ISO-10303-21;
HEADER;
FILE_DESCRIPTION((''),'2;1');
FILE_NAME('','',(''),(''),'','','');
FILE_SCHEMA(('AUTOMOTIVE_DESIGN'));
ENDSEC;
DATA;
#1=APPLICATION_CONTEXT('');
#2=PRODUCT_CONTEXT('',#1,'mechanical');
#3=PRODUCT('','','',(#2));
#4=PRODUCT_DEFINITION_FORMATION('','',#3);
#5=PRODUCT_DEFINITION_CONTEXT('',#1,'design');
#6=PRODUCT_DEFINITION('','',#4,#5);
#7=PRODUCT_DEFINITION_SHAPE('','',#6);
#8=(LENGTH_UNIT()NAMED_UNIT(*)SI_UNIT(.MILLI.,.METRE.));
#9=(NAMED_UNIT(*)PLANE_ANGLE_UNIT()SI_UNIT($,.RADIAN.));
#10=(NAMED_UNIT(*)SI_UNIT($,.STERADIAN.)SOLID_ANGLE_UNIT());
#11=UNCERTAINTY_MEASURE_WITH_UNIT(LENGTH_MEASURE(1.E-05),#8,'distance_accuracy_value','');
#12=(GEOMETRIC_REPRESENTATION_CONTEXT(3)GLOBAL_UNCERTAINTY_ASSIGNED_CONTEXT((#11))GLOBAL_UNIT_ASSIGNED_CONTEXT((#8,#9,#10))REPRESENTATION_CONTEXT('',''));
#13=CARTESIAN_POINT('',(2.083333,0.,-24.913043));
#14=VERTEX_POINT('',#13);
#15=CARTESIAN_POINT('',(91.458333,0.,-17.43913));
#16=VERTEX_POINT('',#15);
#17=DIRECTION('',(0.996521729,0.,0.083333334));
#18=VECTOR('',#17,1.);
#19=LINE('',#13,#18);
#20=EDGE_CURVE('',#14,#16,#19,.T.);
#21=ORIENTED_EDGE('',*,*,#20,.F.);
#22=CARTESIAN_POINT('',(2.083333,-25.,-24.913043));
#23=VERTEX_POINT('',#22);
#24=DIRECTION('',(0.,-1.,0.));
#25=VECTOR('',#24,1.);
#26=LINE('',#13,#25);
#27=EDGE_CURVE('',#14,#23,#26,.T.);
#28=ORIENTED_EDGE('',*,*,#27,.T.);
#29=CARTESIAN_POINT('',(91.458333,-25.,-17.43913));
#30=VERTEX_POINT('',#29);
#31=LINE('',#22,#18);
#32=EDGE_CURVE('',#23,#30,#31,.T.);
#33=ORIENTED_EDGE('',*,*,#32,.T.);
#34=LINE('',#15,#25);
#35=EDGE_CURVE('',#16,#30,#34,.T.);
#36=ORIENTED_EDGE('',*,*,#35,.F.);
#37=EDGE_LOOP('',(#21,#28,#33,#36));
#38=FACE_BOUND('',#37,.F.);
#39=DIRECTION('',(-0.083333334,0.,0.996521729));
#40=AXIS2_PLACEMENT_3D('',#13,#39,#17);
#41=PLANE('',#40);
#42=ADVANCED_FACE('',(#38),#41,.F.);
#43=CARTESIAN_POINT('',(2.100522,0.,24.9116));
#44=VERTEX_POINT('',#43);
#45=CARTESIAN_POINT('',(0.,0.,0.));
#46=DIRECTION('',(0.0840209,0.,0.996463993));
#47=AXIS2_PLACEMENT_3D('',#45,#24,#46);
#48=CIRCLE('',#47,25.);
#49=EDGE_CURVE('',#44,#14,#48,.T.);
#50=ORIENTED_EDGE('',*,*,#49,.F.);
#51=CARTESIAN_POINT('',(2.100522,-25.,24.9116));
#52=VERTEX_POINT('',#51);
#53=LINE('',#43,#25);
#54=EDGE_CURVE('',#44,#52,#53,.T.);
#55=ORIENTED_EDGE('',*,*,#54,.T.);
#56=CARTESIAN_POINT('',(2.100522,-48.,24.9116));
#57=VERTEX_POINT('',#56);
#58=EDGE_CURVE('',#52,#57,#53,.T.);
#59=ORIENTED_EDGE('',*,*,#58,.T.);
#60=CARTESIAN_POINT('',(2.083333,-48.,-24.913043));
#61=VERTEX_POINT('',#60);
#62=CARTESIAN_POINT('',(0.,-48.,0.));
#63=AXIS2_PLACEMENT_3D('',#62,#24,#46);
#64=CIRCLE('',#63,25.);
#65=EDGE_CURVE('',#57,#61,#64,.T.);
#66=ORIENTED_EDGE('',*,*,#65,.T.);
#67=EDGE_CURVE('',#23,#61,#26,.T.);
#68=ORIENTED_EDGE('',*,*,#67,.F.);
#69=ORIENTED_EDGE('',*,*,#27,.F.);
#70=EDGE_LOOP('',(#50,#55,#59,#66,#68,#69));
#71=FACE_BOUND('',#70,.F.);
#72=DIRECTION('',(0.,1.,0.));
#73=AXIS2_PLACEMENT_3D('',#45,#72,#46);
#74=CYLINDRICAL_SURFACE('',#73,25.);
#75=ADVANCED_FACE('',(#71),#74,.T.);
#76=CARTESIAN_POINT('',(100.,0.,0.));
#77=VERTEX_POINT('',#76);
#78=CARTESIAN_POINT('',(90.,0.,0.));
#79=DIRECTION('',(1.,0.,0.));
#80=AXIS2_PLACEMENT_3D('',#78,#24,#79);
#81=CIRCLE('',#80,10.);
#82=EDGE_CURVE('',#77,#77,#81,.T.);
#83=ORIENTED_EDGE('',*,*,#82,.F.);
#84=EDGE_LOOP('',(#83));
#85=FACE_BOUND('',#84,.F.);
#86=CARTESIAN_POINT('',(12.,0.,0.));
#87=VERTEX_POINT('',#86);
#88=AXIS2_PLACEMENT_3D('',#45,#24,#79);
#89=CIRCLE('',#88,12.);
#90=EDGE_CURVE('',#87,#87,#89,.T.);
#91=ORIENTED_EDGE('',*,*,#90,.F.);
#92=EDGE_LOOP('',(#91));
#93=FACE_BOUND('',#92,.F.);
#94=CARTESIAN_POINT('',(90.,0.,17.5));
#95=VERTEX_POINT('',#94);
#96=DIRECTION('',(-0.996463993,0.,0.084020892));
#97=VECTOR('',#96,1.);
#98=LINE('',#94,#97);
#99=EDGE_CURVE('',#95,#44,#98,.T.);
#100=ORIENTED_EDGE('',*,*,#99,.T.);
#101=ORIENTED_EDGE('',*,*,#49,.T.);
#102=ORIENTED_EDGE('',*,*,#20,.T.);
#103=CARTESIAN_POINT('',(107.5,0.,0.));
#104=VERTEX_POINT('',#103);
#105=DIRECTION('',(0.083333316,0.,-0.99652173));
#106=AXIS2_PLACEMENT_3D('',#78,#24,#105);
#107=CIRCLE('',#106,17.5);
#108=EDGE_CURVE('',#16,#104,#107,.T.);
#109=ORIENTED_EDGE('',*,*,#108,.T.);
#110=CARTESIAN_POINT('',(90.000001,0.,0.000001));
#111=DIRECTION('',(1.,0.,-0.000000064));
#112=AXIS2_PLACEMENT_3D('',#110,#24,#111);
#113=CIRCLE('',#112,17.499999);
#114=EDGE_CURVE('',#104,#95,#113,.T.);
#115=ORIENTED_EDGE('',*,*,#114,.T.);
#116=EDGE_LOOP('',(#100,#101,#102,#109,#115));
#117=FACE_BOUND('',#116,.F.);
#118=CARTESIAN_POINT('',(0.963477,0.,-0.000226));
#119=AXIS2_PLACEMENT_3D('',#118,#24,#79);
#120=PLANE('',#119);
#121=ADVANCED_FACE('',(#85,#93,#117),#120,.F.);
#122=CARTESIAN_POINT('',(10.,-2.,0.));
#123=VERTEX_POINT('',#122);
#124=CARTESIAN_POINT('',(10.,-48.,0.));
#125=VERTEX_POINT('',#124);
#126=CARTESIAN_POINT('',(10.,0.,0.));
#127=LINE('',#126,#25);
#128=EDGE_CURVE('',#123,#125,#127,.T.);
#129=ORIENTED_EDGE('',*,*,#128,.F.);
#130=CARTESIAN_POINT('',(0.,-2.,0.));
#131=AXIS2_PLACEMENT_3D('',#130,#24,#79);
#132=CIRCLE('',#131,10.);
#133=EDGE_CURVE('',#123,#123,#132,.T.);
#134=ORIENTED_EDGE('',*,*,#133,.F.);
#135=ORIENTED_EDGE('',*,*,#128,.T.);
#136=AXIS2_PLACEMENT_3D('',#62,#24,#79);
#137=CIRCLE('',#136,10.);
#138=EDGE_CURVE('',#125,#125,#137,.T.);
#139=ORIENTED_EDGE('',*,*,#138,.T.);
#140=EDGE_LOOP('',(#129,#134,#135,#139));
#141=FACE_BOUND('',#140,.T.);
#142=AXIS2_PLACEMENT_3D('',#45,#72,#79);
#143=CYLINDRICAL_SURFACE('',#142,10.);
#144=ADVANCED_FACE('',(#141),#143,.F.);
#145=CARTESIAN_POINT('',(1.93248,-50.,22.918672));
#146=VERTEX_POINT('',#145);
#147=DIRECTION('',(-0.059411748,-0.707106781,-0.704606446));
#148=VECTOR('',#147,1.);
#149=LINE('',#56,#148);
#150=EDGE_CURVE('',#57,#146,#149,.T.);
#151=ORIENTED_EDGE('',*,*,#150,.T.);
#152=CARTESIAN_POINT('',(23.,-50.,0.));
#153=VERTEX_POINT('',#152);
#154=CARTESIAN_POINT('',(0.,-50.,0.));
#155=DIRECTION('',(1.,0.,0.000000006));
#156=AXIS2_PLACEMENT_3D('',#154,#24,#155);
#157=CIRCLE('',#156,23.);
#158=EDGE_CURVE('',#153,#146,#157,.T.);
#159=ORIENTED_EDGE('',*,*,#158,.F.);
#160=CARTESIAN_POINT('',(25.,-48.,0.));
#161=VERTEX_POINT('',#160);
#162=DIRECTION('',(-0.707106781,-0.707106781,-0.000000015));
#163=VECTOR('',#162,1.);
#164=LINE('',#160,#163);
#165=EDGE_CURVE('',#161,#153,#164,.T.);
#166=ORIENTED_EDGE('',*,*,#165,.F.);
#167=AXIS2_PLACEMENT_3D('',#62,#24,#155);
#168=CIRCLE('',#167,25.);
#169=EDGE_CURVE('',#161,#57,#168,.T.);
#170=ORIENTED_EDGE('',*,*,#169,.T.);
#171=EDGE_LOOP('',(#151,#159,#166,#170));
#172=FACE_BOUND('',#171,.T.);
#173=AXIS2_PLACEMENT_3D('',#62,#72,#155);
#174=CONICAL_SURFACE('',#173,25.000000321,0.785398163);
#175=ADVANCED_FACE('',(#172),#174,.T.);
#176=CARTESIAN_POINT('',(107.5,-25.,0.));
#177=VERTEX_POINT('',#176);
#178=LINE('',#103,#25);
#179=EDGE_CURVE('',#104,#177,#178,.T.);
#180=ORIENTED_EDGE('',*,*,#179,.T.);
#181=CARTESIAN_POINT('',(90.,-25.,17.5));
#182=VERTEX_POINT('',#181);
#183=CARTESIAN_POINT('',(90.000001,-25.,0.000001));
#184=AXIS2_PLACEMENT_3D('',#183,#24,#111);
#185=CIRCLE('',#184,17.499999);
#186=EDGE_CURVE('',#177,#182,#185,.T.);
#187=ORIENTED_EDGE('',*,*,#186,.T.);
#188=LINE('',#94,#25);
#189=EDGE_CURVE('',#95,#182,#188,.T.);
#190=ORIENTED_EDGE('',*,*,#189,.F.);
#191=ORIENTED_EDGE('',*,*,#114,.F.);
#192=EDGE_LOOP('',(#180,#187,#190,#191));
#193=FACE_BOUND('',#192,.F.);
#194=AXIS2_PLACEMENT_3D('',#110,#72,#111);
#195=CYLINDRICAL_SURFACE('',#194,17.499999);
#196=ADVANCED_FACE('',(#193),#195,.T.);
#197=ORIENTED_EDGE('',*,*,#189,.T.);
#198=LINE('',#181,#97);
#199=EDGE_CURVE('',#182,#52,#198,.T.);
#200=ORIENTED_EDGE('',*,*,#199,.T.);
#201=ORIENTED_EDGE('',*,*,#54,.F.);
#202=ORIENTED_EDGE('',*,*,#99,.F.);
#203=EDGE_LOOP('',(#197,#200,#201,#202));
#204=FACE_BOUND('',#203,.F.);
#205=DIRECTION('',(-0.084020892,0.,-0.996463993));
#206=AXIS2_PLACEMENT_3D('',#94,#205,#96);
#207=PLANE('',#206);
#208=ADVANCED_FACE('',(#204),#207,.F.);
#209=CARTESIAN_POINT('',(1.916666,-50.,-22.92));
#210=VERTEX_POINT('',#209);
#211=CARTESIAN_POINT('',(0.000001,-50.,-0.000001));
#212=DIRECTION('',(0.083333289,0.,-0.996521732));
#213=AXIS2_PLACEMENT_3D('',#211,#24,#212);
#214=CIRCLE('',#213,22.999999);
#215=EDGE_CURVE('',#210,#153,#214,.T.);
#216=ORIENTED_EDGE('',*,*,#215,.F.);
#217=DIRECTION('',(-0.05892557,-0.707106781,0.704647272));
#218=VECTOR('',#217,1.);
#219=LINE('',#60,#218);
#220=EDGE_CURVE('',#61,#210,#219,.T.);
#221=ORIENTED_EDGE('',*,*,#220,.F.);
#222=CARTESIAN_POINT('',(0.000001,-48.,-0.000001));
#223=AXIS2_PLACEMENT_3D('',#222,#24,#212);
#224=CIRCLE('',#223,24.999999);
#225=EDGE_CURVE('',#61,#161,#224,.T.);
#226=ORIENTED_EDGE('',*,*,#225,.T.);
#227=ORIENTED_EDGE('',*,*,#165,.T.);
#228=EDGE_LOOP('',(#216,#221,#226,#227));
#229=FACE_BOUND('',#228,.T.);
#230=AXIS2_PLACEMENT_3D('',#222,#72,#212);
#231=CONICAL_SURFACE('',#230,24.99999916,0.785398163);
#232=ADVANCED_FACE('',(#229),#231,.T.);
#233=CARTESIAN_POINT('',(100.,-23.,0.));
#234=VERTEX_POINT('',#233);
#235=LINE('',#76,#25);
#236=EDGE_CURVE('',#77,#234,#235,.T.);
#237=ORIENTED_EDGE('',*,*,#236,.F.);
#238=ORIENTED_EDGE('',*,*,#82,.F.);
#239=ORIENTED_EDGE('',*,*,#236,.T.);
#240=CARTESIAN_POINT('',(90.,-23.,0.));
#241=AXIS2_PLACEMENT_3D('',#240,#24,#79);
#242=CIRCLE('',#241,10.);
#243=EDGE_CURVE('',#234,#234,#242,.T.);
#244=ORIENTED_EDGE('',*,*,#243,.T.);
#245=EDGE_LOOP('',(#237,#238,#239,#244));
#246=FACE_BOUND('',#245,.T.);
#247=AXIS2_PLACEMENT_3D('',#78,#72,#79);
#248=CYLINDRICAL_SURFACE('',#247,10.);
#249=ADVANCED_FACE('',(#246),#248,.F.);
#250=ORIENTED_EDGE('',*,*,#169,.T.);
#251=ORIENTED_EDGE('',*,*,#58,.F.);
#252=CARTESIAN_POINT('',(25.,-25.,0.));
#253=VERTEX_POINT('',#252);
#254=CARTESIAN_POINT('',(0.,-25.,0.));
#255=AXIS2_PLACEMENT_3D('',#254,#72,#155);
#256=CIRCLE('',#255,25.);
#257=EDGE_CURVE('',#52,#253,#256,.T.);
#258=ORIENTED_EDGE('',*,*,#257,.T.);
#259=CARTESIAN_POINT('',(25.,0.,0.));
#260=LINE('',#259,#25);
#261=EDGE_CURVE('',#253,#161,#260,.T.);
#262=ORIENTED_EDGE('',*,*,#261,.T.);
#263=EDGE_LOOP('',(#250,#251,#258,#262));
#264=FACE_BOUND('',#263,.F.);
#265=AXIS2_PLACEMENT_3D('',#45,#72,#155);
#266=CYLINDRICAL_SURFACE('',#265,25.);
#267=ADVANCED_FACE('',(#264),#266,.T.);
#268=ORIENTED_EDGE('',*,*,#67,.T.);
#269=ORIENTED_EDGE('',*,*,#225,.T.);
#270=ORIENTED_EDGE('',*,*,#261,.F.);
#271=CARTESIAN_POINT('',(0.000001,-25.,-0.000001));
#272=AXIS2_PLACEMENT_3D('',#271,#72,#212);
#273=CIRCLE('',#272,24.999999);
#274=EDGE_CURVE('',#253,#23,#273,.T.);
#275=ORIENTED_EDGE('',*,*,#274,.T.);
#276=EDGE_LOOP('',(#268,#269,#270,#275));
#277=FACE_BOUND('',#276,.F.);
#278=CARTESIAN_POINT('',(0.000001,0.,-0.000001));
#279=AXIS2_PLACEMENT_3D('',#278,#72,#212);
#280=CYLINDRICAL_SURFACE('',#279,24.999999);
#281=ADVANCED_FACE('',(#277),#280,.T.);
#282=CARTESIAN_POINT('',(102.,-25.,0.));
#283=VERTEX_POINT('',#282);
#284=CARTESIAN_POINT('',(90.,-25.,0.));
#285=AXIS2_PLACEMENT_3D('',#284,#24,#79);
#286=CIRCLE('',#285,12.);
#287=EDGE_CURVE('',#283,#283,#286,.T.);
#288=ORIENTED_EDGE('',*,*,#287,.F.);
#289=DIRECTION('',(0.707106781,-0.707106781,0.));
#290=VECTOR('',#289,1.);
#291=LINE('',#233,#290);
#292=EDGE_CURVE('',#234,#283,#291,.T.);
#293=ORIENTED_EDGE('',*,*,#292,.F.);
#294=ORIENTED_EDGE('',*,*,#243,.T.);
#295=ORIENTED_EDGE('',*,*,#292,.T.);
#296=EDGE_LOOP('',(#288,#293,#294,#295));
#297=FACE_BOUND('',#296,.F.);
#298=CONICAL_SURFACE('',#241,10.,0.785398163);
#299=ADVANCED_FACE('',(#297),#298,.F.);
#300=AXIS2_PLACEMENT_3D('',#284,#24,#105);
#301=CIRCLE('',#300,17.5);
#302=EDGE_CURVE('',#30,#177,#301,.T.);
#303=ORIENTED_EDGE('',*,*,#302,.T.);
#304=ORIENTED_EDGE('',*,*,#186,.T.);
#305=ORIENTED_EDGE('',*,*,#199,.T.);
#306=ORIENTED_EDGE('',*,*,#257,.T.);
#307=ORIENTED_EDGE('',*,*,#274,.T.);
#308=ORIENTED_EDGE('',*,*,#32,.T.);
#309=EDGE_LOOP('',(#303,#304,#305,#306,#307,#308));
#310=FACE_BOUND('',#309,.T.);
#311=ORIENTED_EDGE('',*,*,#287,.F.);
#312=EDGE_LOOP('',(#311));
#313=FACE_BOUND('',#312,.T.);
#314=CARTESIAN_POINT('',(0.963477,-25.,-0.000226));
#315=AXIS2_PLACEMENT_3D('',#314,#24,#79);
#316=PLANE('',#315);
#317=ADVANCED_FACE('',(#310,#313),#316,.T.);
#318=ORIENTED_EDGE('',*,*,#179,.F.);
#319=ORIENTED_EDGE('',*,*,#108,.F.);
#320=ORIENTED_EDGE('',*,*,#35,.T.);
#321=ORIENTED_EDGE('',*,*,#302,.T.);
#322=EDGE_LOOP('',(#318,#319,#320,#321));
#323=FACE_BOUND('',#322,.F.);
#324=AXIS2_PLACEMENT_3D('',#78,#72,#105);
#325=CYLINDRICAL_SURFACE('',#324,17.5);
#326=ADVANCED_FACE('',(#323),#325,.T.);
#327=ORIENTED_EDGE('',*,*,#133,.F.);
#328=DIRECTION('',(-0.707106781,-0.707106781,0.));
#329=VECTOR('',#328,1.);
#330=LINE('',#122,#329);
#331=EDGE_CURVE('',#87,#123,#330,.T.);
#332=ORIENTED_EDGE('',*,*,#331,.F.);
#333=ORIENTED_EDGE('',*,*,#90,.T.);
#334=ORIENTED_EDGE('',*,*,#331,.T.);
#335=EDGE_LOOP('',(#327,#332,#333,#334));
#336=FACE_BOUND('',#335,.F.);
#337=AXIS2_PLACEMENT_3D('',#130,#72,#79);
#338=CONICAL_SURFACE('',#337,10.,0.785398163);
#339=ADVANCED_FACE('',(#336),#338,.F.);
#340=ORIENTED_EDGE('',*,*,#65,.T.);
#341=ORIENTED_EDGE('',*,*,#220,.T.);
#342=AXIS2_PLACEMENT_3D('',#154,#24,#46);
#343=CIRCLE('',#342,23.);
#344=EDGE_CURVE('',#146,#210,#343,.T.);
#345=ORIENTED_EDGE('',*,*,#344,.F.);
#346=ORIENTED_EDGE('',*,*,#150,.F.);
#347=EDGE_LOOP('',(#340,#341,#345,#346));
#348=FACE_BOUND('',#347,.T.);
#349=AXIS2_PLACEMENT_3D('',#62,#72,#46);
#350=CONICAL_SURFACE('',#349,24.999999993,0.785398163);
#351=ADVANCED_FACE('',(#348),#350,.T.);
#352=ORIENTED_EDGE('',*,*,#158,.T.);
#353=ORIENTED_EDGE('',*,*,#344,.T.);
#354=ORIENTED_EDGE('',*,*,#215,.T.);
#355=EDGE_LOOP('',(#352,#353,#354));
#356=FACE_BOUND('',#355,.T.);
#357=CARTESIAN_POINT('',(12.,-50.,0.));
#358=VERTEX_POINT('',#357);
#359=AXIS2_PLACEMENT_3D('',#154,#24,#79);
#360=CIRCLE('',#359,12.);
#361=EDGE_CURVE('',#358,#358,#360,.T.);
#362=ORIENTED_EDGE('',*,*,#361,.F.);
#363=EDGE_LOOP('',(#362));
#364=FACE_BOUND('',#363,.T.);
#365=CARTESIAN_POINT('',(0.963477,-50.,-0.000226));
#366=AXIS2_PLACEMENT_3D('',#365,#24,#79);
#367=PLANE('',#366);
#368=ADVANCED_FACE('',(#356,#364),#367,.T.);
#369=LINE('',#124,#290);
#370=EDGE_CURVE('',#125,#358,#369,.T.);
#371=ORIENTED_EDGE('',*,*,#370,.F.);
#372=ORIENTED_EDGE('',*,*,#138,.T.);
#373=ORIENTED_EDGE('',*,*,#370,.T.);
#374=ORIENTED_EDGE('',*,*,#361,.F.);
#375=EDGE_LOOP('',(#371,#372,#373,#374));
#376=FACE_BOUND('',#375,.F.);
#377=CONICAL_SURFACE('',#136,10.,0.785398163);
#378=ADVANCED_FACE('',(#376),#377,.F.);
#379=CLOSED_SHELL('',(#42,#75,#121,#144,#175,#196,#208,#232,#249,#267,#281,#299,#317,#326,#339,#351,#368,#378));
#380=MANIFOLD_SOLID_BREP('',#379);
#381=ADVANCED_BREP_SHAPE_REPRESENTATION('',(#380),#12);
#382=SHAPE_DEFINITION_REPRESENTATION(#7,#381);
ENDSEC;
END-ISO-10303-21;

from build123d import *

# Parameters (mm, degrees)
F0_R     = 10
F1_DEPTH = 25
F2_DEPTH = 50
F3_SIZE  = 2


with BuildPart() as f1:
    # F0 (on Front) → F1 (new body)
    with BuildSketch(Plane.XZ):
        with BuildLine():
            ThreePointArc((2.083333, -24.913043), (18.399502, -16.92508), (25, 0))
            ThreePointArc((25, 0), (18.40534, 16.918731), (2.100522, 24.9116))
            ThreePointArc((2.100522, 24.9116), (-24.999999, 0.008625), (2.083333, -24.913043))
        make_face()
        Circle(F0_R, mode=Mode.SUBTRACT)
        with BuildLine():
            ThreePointArc((2.100522, 24.9116), (18.40534, 16.918731), (25, 0))
            ThreePointArc((25, 0), (18.399502, -16.92508), (2.083333, -24.913043))
            Line((2.083333, -24.913043), (91.458333, -17.43913))
            ThreePointArc((91.458333, -17.43913), (72.515224, -0.729802), (90, 17.5))
            Line((90, 17.5), (2.100522, 24.9116))
        make_face()
        with BuildLine():
            ThreePointArc((107.5, 0), (102.374369, 12.374369), (90, 17.5))
            ThreePointArc((90, 17.5), (72.515224, -0.729802), (91.458333, -17.43913))
            ThreePointArc((91.458333, -17.43913), (102.879651, -11.847556), (107.5, 0))
        make_face()
        with Locations((90, 0)):
            Circle(F0_R, mode=Mode.SUBTRACT)
    extrude(amount=F1_DEPTH)

    # F0 (on Front) → F2 (join)
    with BuildSketch(Plane.XZ):
        with BuildLine():
            ThreePointArc((2.083333, -24.913043), (18.399502, -16.92508), (25, 0))
            ThreePointArc((25, 0), (18.40534, 16.918731), (2.100522, 24.9116))
            ThreePointArc((2.100522, 24.9116), (-24.999999, 0.008625), (2.083333, -24.913043))
        make_face()
        Circle(F0_R, mode=Mode.SUBTRACT)
    extrude(amount=F2_DEPTH)

    # F3
    f3_edges = [f1.edges().sort_by_distance(p)[0] for p in [
        (-10, 0, 0),
        (10, -25, 0),
        (-10, -50, 0),
        (-2.083333, -50, 24.913043),
        (80, -25, 0),
    ]]
    chamfer(f3_edges, length=F3_SIZE)


solid = f1.part
